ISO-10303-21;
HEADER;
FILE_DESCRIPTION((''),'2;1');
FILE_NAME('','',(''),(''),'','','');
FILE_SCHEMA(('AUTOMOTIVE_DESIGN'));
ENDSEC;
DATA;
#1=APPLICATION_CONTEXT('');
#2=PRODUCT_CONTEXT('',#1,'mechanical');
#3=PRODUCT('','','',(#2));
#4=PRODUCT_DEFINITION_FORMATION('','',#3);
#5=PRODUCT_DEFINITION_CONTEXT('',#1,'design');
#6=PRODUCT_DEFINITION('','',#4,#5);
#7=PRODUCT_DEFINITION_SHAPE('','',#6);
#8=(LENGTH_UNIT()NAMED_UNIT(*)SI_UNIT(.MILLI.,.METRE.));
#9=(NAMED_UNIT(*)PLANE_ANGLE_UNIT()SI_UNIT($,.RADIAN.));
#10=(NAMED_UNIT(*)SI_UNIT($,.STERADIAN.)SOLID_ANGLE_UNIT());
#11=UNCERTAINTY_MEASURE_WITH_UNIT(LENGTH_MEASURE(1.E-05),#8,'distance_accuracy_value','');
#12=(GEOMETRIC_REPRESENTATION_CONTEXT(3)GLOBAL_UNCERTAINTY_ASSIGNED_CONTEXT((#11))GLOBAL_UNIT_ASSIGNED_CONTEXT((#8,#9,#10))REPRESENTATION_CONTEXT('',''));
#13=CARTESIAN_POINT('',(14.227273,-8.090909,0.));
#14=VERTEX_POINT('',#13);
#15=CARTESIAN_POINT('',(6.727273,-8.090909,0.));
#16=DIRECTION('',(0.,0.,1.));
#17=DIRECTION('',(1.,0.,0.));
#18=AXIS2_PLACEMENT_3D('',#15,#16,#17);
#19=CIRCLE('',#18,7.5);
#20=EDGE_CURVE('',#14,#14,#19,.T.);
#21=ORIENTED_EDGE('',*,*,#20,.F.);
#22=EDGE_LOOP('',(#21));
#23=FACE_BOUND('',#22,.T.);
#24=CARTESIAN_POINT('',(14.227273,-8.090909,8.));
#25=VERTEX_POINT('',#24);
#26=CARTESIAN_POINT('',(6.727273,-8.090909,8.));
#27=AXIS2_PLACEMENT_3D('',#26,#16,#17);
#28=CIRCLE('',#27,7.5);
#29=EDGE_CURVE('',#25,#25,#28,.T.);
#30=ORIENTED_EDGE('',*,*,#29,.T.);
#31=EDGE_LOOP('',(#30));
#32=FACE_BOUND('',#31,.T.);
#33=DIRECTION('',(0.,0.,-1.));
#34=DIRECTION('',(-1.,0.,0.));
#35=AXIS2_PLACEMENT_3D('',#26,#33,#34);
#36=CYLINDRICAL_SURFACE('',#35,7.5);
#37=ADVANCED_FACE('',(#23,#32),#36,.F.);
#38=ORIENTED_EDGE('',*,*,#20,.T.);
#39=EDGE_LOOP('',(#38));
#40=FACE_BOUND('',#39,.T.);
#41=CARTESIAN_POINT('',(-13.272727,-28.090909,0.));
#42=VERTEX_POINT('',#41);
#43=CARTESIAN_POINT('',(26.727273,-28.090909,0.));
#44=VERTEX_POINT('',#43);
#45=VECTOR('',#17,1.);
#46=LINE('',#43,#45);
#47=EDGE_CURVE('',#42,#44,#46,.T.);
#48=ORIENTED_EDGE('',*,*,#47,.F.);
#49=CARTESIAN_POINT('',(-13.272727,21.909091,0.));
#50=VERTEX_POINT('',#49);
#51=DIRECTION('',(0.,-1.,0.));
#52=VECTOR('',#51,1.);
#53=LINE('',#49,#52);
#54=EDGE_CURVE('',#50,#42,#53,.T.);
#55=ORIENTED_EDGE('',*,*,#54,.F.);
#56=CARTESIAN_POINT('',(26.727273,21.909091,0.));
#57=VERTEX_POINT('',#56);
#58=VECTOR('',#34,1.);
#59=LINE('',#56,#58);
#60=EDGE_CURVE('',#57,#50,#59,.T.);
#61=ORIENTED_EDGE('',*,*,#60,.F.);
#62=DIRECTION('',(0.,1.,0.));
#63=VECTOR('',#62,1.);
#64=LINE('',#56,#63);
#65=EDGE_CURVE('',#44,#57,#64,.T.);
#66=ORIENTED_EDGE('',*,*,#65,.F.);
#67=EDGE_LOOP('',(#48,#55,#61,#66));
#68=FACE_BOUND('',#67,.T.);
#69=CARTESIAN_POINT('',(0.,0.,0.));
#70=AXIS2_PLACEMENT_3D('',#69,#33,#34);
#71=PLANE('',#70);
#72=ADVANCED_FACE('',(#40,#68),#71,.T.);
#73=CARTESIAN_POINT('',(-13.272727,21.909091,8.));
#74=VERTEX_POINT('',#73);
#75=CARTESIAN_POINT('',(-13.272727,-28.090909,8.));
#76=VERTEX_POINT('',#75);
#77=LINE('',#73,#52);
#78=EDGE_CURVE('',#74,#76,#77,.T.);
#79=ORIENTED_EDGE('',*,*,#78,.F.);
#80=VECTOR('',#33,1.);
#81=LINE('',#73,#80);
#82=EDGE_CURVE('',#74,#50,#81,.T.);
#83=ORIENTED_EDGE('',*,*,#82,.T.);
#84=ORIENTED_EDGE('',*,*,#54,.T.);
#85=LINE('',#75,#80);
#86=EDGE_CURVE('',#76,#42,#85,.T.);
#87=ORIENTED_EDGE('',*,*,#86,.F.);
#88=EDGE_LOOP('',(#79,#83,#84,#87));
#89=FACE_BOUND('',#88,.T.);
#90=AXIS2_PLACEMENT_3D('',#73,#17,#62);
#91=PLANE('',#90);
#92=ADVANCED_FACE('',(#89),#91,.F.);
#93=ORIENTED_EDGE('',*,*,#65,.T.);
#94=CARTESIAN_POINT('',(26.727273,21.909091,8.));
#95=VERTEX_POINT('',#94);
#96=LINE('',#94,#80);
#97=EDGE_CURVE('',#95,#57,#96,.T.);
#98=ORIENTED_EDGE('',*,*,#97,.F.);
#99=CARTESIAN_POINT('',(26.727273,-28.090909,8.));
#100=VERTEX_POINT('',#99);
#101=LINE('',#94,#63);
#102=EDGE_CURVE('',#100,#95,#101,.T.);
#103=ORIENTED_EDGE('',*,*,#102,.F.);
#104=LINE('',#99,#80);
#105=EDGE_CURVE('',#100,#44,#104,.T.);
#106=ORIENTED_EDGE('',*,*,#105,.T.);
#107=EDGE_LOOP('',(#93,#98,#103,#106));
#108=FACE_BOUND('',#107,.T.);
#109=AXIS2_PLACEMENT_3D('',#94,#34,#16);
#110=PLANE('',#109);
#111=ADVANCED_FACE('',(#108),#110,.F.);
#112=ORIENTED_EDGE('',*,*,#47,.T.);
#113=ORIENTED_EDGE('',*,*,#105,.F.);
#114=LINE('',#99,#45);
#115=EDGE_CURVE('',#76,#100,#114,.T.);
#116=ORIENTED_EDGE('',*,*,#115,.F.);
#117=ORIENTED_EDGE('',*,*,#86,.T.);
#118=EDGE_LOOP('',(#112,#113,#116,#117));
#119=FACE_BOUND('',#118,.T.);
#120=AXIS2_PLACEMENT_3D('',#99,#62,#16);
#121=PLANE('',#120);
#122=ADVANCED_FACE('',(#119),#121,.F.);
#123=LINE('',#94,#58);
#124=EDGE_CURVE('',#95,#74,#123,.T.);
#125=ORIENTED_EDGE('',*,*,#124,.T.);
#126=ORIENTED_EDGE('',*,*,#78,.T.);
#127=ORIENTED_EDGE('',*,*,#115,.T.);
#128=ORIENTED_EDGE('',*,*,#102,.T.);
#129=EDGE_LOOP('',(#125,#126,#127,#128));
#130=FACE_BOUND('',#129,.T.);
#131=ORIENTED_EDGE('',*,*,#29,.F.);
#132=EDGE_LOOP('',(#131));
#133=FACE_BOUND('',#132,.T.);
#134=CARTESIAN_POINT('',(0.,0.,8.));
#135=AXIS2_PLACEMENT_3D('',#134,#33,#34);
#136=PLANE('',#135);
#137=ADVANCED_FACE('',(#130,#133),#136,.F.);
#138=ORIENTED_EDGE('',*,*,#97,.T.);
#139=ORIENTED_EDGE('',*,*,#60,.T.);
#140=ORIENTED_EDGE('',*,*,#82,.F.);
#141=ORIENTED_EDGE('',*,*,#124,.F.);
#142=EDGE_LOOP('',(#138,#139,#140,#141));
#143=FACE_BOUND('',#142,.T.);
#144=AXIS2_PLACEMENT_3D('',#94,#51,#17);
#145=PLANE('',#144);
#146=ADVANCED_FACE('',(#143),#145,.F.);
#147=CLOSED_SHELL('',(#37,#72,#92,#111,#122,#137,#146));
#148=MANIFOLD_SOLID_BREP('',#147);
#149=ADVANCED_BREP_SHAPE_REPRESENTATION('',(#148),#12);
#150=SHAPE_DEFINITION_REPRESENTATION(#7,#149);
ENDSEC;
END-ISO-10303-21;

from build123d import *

# Parameters (mm, degrees)
SKETCH1_W           = 40
SKETCH1_H           = 50
SKETCH1_R           = 7.5
BOSS_EXTRUDE1_DEPTH = 8


with BuildPart() as part:
    # Sketch1 → Boss-Extrude1 (new body)
    with BuildSketch(Plane.XY):
        with Locations((6.727272727, -3.090909091)):
            Rectangle(SKETCH1_W, SKETCH1_H)
        with Locations((6.727272727, -8.090909091)):
            Circle(SKETCH1_R, mode=Mode.SUBTRACT)
    extrude(amount=BOSS_EXTRUDE1_DEPTH)


solid = part.part
